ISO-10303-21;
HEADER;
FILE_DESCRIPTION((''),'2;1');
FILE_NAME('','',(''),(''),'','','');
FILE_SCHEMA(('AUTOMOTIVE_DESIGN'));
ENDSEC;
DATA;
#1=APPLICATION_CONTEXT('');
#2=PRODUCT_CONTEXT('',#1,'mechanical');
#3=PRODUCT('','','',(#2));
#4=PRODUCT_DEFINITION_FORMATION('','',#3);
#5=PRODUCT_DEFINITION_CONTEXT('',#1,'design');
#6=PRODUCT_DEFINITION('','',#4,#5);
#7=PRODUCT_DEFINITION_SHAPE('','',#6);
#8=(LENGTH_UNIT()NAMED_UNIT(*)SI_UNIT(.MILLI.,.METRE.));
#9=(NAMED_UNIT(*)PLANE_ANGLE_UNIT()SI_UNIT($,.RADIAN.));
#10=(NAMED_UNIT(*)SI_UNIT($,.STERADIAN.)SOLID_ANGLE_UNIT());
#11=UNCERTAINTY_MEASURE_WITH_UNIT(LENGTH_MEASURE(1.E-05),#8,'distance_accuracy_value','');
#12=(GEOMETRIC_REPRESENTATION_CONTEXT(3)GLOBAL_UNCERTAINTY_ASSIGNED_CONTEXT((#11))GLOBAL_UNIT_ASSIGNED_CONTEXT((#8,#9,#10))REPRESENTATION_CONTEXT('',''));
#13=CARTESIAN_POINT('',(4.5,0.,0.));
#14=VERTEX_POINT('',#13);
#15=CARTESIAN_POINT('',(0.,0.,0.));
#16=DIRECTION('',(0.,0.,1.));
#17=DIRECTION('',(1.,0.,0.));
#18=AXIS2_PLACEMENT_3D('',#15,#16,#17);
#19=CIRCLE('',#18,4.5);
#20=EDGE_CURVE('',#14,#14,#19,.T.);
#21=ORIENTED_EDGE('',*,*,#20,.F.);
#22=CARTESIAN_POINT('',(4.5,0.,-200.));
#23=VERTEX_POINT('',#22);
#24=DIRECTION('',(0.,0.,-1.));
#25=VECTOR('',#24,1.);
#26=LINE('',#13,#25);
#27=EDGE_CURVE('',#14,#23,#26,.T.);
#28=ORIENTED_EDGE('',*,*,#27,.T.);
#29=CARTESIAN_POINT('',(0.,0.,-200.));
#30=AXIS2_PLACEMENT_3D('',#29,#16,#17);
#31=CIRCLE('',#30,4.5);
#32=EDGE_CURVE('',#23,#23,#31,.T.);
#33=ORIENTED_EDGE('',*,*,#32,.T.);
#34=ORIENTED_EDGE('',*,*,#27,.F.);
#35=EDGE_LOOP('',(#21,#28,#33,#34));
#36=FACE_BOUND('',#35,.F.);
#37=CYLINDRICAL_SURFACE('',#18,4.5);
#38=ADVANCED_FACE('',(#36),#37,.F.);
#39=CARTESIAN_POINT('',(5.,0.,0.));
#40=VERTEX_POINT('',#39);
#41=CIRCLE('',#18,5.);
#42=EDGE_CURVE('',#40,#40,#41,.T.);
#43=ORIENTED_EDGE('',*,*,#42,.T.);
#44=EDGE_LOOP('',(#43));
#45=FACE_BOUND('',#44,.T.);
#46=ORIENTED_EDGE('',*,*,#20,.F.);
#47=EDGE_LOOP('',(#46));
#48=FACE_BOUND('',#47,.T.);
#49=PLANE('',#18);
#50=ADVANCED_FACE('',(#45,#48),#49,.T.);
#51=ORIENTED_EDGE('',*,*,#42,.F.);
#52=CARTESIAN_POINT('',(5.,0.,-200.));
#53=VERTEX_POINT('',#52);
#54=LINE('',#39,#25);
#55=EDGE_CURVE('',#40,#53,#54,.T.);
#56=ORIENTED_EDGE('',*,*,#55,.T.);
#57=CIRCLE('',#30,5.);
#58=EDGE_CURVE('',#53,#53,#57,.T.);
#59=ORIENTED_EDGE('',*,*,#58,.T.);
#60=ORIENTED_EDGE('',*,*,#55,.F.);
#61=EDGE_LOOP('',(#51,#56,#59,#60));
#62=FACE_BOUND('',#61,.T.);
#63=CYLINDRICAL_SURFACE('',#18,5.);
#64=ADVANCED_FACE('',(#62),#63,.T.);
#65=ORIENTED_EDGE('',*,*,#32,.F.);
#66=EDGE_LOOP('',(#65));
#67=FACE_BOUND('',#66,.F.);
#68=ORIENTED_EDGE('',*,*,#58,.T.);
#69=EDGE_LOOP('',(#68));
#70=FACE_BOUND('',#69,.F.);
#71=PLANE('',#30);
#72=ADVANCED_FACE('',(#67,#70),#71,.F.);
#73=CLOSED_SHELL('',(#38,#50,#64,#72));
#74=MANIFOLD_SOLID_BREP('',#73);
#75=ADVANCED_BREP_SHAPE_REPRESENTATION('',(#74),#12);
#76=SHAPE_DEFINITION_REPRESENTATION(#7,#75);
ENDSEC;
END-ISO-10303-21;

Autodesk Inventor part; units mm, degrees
ref_plane "YZ Plane" through (0, 0, 0) normal (1, 0, 0) x (0, 1, 0)
ref_plane "XZ Plane" through (0, 0, 0) normal (0, 1, 0) x (-1, 0, 0)
ref_plane "XY Plane" through (0, 0, 0) normal (0, 0, 1) x (1, 0, 0)
sketch "Sketch1" plane through (0, 0, 0) normal (0, 0, 1) x (1, 0, 0)
  circle A0 centre (0, 0) radius 5
  dimension "d0" = 10
extrude "Extrusion1" add sketch "Sketch1" against normal blind 200
shell "Shell1" thickness 0.5 removed faces 2 at (-0.591, 1.5584, 0) at (-0.591, 1.5584, -200)
properties part number "Round aluminium tube 20cm"
